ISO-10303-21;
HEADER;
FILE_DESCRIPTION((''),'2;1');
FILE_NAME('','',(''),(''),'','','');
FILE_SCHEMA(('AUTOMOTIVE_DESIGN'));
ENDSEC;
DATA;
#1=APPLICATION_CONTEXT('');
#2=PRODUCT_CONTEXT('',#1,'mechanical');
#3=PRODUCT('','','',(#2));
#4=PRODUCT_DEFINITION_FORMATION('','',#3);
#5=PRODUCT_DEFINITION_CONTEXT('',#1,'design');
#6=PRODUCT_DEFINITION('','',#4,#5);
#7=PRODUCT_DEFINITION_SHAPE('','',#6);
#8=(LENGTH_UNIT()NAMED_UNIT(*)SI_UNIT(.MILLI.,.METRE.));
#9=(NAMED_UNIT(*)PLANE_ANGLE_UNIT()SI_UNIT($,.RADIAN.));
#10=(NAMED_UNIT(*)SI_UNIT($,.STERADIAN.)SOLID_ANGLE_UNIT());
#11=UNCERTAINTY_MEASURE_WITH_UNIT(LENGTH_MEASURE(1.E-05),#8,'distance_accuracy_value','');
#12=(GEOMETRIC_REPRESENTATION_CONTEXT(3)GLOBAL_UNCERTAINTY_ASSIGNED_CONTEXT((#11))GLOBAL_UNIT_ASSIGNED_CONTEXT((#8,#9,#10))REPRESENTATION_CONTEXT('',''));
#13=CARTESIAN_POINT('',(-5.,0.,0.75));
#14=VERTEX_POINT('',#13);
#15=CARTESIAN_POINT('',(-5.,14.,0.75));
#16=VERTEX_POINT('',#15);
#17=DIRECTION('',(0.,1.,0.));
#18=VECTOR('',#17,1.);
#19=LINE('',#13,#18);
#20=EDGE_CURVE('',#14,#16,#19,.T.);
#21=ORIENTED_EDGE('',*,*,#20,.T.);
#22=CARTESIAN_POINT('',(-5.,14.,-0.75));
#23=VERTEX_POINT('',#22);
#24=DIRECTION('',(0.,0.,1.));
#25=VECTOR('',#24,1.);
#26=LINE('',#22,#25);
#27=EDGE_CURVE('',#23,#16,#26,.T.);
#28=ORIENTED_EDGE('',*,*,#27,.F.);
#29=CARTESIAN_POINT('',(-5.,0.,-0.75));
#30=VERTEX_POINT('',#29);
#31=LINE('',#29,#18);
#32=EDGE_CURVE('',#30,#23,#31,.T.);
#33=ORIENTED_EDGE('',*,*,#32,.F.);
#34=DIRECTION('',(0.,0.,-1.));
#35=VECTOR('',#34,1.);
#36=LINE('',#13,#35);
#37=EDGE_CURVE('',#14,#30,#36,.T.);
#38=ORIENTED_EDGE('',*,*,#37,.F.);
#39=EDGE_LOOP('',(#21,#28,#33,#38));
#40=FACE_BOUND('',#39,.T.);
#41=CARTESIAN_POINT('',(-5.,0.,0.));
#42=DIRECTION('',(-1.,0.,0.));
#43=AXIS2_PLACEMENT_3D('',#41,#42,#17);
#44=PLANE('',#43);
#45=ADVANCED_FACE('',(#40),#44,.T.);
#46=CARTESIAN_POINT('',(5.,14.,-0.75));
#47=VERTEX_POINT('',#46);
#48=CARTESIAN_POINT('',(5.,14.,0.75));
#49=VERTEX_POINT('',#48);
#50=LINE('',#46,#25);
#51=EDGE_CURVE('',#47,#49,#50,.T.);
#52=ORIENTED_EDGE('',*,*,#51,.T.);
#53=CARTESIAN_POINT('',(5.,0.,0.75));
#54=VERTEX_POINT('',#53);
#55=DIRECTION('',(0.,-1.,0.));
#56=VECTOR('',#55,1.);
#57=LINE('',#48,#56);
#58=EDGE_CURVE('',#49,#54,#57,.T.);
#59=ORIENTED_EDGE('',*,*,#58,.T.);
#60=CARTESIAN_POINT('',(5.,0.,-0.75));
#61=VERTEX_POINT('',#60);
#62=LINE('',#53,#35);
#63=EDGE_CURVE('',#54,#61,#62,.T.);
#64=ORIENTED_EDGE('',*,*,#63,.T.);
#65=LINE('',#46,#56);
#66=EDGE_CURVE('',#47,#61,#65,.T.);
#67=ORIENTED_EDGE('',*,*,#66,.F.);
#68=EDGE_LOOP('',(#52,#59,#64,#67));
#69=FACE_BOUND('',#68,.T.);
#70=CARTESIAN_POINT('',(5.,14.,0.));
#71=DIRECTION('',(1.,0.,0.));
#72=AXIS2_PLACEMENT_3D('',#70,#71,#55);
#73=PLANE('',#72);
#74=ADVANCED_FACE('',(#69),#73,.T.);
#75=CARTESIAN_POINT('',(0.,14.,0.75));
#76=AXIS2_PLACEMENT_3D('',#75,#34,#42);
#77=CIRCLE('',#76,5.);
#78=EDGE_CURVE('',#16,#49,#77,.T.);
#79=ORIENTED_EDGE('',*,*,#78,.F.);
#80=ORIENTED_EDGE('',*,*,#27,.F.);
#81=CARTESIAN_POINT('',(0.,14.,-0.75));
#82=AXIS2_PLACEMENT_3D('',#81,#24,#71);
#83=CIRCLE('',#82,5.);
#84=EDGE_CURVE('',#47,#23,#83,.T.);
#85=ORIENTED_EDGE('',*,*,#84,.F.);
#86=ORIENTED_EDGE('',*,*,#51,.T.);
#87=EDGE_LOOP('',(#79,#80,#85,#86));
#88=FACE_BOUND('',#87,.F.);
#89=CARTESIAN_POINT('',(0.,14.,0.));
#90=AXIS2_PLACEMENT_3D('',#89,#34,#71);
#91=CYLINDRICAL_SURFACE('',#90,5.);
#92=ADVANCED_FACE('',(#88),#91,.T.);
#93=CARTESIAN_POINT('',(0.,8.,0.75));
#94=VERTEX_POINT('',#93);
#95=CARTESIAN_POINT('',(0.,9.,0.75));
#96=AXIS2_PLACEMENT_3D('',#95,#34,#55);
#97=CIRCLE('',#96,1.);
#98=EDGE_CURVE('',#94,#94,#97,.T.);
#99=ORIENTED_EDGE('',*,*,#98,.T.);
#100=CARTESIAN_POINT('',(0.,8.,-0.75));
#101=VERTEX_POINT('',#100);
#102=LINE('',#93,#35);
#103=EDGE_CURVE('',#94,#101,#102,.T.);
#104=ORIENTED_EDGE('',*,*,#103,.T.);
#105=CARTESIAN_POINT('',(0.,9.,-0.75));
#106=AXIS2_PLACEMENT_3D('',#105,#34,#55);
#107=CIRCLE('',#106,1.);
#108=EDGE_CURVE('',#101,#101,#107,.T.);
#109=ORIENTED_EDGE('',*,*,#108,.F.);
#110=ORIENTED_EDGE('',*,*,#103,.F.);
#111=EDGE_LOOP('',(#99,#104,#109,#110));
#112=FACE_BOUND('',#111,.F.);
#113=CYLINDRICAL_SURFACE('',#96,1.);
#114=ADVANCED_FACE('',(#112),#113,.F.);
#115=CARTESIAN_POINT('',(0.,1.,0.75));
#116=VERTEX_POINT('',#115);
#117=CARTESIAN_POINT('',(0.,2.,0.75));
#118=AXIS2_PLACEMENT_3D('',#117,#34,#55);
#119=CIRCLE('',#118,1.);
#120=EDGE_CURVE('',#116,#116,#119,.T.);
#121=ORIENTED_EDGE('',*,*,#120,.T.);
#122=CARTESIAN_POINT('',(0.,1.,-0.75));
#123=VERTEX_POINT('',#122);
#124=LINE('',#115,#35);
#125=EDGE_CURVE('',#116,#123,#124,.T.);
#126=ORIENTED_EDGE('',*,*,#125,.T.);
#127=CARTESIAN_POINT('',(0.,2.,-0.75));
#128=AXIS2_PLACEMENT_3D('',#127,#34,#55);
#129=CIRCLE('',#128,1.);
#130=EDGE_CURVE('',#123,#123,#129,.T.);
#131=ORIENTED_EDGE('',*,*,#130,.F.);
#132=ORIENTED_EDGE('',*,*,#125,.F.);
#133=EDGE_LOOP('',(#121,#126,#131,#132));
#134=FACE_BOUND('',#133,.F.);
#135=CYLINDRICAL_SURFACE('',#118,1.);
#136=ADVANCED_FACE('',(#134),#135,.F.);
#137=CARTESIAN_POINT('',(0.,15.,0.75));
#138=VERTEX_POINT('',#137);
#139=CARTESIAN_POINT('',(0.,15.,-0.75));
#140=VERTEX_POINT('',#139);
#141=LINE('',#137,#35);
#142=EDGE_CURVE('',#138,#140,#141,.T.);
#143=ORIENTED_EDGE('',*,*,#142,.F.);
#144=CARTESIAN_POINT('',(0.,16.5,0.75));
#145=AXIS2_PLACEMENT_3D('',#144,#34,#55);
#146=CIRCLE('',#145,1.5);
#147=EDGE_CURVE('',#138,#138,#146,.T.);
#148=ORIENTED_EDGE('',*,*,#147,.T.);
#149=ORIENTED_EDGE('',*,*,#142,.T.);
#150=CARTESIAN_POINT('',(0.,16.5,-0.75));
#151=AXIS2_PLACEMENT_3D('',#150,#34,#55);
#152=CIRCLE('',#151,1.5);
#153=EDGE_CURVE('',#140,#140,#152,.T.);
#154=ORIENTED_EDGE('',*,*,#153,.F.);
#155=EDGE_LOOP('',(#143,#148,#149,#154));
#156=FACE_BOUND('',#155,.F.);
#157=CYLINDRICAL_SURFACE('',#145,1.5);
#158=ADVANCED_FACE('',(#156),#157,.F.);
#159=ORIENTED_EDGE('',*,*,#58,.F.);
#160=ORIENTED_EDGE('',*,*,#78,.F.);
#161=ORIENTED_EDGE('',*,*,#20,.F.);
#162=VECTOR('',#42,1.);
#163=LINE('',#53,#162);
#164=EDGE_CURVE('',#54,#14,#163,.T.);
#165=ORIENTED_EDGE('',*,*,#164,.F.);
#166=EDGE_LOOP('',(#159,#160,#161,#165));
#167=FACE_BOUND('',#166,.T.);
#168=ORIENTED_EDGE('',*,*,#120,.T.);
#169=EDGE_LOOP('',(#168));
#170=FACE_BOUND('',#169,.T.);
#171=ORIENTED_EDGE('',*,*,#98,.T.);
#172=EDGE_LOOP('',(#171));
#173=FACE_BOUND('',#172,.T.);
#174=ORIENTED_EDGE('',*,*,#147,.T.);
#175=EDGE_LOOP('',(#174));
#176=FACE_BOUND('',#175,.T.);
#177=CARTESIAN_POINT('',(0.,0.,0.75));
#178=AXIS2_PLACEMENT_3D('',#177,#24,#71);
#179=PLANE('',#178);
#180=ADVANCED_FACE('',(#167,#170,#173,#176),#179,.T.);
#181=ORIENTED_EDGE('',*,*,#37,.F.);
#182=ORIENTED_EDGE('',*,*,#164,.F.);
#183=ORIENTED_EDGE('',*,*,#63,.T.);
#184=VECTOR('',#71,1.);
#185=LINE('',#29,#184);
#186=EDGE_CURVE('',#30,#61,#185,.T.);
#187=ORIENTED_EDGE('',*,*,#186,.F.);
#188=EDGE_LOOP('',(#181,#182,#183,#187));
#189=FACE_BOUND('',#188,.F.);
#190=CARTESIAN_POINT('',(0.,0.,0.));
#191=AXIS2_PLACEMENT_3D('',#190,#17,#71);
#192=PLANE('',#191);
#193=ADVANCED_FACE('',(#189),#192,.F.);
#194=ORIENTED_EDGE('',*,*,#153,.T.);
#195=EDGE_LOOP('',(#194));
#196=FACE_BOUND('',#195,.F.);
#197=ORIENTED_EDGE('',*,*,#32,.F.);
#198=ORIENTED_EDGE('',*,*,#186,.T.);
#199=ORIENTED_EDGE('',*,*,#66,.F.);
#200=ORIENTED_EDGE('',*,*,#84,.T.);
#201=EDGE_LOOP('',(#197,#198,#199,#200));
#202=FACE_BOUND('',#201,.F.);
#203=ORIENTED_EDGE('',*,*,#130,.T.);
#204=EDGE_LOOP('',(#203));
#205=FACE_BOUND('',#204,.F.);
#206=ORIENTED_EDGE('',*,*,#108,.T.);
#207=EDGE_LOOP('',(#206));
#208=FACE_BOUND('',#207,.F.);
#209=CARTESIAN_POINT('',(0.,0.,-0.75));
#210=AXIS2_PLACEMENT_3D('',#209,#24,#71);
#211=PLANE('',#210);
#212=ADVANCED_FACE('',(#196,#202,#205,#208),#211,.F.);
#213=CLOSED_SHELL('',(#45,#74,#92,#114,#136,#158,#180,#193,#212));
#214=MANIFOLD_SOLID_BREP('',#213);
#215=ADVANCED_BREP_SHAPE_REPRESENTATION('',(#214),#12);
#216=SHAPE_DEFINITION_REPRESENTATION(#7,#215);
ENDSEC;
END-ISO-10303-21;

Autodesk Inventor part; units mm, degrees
ref_plane "YZ Plane" through (0, 0, 0) normal (1, 0, 0) x (0, 1, 0)
ref_plane "XZ Plane" through (0, 0, 0) normal (0, 1, 0) x (-1, 0, 0)
ref_plane "XY Plane" through (0, 0, 0) normal (0, 0, 1) x (1, 0, 0)
sketch "Náčrt1" plane through (0, 0, 0) normal (0, 0, 1) x (1, 0, 0)
  line L0 (0, 19) -> (0, 19)
  line L1 (5, 14) -> (5, 0)
  line L2 (0, -19) -> (0, -19)
  line L3 (-5, 0) -> (-5, 14)
  line L4 (-8.4497, 0) -> (8.4497, 0) projected
  line L5 (0, 27.8426) -> (0, -26.8071) projected
  arc A0 (0, 19) -> (-5, 14) centre (0, 14) ccw
  arc A1 (5, 14) -> (0, 19) centre (0, 14) ccw
  line L6 (-5, 0) -> (5, 0)
  point P0 (0, 0)
  point P1 (-5, 19)
  point P2 (5, -19)
  point P3 (5, 19)
  point P4 (0, 19)
  dimension "d2" = 5
  dimension "d12" = 14
  dimension "d13" = 10
extrude "Vysunutí1" add sketch "Náčrt1" along normal mid plane 1.5
sketch "Náčrt2" plane through (0, 0, 0.75) normal (0, 0, 1) x (1, 0, 0)
  line L0 (5, 0) -> (5, 14) projected
  arc A0 (5, 14) -> (-5, 14) centre (0, 14) ccw projected
  line L1 (-5, 14) -> (-5, 0) projected
  line L2 (-5, 0) -> (5, 0) projected
  line L3 (-7, 0) -> (7, 0) projected
  line L4 (0, 25.3) -> (0, -18.8) projected
  point P0 (0, 0)
  point P1 (0, -12.5)
  point P2 (0, 16.5)
  dimension "d23" = 2.5
hole "Díra1" at (0, -12.5, 0.75) at (0, 16.5, 0.75) direction (0, 0, -1) diameter 3 end through all
sketch "Náčrt3" plane through (0, 0, 0.75) normal (0, 0, 1) x (1, 0, 0)
  line L0 (-5, 14) -> (-5, 0) projected
  line L1 (-5, 0) -> (5, 0) projected
  line L2 (5, 0) -> (5, 14) projected
  arc A0 (5, 14) -> (-5, 14) centre (0, 14) ccw projected
  point P0 (0, 0)
  point P1 (0, 2)
  point P2 (0, 9)
  dimension "d14" = 2
  dimension "d15" = 7
hole "Díra2" at (0, 2, 0.75) at (0, 9, 0.75) direction (0, 0, -1) diameter 2 end through all
properties part number "lifter_servo_end" material "Hliník 6061"
